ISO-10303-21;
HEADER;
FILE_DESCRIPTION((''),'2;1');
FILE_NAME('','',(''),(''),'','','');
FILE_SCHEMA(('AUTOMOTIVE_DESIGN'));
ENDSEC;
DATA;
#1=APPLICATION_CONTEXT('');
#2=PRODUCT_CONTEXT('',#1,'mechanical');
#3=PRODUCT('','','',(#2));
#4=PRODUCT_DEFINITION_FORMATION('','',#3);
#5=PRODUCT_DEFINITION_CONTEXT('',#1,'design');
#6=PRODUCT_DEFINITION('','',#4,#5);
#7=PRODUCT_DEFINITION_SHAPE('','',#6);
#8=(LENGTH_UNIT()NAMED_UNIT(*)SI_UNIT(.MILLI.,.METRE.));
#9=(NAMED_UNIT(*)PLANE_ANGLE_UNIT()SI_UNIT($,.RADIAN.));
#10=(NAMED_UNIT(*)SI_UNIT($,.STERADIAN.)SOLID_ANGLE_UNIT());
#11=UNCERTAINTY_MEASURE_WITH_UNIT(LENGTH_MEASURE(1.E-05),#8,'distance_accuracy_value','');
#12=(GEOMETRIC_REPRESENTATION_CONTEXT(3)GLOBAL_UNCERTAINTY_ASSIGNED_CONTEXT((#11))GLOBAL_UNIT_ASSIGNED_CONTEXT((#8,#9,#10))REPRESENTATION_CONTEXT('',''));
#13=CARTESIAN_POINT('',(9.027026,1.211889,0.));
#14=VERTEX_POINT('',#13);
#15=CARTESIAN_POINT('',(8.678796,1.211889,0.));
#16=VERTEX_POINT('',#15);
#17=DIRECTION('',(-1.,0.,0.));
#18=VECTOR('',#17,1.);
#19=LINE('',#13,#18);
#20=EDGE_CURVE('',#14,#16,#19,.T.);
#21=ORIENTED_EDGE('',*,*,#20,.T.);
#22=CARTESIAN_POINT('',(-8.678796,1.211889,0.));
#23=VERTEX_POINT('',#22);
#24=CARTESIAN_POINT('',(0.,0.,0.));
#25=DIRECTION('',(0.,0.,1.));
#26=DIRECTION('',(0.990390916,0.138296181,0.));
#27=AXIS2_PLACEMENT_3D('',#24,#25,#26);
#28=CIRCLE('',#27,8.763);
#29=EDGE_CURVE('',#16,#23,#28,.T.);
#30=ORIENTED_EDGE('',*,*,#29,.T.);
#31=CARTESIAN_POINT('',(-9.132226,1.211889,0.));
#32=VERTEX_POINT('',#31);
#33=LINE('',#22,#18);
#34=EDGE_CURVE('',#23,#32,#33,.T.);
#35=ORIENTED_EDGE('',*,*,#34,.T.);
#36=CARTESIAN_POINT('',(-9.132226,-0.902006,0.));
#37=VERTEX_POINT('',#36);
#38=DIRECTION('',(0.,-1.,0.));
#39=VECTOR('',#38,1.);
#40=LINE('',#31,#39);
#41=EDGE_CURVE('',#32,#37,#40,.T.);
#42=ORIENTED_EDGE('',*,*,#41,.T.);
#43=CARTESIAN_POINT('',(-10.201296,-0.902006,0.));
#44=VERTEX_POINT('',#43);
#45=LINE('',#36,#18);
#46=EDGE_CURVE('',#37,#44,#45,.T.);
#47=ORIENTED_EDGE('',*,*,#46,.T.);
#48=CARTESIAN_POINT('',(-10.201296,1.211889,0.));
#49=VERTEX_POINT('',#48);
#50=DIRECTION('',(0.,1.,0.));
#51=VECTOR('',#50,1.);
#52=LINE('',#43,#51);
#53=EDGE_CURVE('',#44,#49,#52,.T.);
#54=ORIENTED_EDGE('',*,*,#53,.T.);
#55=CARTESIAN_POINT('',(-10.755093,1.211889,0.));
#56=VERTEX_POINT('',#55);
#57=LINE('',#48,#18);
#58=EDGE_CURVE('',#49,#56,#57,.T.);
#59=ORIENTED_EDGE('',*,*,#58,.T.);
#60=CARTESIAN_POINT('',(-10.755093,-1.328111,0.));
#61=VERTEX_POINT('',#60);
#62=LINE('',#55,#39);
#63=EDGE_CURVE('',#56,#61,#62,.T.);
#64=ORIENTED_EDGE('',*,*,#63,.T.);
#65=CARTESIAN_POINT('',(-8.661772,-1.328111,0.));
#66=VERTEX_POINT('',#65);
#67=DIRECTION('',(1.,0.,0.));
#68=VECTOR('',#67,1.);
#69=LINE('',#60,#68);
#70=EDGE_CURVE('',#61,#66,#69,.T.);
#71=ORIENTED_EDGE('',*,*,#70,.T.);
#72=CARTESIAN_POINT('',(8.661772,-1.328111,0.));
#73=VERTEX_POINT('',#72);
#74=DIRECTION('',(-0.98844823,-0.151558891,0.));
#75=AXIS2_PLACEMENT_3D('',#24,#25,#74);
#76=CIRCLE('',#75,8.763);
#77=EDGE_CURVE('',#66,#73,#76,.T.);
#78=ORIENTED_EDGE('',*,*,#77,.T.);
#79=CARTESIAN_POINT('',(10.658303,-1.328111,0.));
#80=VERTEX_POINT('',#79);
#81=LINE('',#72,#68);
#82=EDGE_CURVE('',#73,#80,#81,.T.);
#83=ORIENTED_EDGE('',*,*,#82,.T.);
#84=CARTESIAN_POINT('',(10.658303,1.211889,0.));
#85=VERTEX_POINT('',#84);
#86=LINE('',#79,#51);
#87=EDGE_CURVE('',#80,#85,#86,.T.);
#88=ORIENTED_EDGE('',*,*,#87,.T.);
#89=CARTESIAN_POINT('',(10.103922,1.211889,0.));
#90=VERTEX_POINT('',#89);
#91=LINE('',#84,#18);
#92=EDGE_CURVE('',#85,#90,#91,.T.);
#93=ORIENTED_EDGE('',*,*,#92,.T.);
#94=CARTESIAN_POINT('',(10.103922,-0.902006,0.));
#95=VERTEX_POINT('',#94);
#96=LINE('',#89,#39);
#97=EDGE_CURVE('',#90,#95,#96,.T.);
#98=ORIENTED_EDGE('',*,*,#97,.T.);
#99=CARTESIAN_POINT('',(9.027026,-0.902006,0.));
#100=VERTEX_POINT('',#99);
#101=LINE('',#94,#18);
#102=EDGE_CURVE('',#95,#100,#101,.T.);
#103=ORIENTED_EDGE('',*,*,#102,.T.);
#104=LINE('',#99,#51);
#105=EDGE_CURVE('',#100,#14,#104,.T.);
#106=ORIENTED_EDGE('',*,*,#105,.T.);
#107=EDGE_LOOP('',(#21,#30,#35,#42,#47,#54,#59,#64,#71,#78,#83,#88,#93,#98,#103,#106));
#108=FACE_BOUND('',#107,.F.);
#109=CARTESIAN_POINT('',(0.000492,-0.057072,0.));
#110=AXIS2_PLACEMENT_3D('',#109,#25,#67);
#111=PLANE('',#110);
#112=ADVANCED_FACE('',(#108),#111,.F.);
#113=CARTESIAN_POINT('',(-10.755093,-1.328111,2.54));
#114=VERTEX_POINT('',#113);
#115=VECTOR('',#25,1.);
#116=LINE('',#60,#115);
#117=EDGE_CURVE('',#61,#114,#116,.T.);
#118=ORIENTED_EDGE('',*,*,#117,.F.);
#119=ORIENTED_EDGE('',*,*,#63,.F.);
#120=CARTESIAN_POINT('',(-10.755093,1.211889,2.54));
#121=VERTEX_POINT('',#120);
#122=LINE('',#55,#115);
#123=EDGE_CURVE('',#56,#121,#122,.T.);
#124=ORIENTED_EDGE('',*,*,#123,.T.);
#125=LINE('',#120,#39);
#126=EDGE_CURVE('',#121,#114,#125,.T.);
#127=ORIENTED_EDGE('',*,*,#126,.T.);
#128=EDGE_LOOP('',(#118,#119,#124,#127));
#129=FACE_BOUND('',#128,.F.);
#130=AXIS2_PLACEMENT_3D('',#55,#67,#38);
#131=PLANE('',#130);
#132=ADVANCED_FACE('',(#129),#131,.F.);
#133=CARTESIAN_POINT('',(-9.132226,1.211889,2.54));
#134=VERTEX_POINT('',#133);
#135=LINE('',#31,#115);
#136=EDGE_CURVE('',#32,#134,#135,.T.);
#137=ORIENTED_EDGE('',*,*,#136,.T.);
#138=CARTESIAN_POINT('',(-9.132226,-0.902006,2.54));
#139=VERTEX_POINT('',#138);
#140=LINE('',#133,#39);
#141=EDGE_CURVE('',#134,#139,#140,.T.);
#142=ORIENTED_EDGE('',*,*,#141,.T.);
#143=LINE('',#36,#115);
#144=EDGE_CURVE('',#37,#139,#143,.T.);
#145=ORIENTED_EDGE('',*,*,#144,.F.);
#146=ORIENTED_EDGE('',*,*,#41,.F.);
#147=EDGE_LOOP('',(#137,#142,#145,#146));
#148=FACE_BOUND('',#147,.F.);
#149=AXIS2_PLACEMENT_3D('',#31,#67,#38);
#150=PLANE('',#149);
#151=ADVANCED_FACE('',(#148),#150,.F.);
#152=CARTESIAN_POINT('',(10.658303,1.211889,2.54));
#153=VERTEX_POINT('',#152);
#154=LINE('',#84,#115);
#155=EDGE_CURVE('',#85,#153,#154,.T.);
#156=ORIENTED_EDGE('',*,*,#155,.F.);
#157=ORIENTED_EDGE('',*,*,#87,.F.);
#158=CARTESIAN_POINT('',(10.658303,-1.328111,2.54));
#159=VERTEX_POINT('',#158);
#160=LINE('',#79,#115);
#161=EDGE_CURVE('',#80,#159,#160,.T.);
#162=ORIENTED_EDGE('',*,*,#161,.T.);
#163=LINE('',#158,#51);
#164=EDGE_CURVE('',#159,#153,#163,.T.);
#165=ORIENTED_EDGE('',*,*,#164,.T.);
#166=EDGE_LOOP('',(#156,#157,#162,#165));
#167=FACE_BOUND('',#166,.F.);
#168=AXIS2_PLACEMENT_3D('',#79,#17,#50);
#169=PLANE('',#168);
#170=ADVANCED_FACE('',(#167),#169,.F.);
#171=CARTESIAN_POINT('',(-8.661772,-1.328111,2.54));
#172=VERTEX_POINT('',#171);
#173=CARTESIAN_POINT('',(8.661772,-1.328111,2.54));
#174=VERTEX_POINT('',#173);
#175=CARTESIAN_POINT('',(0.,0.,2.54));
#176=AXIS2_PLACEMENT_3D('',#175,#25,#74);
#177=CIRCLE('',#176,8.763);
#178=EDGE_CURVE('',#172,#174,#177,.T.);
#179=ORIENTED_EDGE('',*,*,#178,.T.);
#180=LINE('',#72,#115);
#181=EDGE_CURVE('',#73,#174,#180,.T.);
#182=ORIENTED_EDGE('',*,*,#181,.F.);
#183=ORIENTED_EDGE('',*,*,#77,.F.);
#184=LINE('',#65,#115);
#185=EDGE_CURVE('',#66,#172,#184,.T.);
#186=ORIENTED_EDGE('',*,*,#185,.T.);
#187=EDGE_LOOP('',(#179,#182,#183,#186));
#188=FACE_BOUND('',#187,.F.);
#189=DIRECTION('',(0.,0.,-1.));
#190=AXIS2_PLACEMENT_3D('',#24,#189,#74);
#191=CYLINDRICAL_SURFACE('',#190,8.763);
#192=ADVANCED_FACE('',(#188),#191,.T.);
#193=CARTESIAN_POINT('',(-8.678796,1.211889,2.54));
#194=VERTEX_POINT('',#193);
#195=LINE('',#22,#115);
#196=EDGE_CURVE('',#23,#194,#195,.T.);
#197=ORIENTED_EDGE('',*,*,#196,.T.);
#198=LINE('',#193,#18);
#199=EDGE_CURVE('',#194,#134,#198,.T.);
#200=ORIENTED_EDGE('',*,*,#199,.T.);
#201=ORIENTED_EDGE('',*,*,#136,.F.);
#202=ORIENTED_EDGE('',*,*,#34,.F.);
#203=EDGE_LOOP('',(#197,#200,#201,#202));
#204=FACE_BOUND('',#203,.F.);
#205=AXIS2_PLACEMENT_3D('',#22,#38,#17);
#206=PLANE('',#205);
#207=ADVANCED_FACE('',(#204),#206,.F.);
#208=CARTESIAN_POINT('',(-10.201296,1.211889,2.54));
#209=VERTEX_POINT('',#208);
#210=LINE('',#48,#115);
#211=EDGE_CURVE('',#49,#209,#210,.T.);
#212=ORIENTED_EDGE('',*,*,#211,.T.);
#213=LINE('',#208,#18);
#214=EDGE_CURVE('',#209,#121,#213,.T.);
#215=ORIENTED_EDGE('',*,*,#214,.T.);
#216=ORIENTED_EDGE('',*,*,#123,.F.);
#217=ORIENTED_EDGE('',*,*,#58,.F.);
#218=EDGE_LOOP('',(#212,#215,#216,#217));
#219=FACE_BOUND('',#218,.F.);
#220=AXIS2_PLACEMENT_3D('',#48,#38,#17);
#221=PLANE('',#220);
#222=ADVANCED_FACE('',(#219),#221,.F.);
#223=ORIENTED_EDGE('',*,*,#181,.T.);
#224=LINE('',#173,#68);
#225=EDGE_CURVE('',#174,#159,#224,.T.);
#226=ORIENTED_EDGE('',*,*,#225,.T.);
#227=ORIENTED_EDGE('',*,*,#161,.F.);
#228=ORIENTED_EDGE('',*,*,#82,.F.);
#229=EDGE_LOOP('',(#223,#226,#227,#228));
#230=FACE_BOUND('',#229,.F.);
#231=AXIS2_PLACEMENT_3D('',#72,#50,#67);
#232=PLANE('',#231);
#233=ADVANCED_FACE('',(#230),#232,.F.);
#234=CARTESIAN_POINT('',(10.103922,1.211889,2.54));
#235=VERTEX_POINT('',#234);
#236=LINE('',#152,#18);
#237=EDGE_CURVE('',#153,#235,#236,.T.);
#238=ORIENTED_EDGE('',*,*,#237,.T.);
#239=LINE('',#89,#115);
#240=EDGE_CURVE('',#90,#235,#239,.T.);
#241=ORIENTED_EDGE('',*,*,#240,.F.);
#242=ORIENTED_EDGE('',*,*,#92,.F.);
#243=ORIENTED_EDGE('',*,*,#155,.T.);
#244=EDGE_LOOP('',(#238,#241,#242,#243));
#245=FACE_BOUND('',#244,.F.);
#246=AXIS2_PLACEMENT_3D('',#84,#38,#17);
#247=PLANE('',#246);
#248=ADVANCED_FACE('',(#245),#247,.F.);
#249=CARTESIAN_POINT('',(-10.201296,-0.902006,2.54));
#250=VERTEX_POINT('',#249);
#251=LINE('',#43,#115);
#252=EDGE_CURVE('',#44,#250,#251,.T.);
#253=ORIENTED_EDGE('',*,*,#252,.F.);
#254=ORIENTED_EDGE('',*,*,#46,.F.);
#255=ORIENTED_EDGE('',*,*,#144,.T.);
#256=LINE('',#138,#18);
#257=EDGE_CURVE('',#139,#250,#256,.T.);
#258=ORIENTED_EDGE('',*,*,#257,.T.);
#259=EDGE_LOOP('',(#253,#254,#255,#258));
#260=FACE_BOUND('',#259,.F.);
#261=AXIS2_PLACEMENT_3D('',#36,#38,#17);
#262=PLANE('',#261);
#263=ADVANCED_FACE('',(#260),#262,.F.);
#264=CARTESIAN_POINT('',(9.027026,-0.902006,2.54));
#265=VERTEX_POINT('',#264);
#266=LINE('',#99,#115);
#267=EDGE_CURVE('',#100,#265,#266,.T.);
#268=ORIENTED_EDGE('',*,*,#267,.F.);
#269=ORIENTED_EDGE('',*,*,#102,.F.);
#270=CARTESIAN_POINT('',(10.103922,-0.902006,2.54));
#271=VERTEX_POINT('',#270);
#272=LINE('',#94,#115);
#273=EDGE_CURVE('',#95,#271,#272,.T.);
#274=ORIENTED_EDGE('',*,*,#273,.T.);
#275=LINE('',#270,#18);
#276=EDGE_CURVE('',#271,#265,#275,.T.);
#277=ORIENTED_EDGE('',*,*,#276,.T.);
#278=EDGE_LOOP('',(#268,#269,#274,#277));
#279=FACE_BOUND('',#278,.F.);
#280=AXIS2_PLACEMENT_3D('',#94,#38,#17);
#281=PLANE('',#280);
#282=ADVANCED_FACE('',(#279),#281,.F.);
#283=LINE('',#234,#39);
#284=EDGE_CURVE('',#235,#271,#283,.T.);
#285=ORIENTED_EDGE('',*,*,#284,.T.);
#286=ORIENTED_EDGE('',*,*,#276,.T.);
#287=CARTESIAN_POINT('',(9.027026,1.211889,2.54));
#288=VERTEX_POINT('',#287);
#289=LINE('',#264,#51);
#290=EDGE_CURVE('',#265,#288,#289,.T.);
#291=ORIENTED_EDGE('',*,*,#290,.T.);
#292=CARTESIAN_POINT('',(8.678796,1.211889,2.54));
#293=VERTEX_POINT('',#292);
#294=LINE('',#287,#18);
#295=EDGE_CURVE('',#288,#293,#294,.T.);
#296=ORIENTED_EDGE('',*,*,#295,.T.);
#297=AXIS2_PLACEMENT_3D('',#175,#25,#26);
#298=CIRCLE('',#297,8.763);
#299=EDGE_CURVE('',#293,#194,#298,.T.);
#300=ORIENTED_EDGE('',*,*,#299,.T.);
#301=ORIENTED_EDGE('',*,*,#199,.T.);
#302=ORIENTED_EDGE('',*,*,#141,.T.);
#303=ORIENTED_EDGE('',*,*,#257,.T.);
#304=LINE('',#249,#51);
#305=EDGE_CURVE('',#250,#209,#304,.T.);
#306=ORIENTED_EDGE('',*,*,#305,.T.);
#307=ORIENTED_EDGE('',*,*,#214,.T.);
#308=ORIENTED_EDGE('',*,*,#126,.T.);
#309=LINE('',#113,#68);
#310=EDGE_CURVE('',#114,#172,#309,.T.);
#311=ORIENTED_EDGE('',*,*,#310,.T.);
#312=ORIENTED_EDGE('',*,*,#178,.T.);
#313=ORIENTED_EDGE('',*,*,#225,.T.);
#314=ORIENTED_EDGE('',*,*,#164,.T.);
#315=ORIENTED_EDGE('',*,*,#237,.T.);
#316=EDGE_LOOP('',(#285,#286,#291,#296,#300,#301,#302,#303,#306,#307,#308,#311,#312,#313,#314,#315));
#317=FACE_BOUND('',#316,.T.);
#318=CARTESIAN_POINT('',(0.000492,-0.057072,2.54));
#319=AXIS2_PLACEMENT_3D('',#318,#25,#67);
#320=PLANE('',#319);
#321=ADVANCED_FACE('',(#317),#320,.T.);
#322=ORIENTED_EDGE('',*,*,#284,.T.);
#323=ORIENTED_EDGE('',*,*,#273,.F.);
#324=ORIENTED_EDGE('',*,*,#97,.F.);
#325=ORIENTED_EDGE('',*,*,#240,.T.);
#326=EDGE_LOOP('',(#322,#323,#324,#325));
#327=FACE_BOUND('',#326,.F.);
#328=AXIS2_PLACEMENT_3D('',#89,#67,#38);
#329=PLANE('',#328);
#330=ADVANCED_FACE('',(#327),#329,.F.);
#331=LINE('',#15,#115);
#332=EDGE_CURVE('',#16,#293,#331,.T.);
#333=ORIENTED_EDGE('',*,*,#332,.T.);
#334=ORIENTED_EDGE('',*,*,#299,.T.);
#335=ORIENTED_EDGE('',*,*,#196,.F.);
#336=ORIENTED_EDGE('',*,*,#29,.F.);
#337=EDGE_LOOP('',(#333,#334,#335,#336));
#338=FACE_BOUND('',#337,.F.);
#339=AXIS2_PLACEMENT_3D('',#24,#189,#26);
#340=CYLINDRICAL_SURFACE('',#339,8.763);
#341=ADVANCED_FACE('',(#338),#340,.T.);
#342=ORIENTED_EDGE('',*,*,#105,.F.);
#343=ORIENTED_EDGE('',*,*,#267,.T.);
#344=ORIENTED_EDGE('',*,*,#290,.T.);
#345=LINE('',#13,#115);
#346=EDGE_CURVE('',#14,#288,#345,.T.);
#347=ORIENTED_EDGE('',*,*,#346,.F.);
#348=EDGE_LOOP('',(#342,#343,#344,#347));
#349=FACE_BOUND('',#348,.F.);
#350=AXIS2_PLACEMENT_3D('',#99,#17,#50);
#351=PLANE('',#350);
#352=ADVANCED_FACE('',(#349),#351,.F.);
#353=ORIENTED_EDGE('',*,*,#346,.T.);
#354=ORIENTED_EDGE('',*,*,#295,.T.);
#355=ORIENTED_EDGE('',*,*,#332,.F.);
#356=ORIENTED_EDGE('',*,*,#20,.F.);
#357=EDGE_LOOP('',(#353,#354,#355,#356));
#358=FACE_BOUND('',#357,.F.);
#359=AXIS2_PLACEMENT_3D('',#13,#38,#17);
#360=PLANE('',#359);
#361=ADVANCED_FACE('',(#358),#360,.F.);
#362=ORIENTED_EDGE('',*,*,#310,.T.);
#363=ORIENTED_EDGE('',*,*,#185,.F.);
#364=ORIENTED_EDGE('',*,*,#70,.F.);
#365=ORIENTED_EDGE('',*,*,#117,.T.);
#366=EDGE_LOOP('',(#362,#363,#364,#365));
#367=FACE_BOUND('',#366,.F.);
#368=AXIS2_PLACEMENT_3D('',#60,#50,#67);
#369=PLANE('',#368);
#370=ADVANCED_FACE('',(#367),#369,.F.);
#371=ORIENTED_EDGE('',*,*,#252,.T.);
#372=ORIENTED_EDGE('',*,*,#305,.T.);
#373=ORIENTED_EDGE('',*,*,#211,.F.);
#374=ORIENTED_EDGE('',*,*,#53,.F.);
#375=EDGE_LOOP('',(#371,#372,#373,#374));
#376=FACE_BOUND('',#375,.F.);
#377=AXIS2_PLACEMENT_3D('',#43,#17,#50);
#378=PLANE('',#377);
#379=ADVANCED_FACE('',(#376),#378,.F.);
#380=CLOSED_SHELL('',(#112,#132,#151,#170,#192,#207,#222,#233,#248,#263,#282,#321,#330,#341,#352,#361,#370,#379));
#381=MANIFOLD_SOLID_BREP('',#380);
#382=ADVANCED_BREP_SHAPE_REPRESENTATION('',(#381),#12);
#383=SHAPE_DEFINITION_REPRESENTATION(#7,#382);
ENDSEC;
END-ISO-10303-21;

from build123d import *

# Parameters (mm, degrees)
F1_DEPTH = 2.54


with BuildPart() as f1:
    # F0 (on Top) → F1 (new body)
    with BuildSketch(Plane.XY):
        with BuildLine():
            ThreePointArc((8.6617718357, -1.3281105626), (8.7376563104, -0.6659813826), (8.763, 0))
            ThreePointArc((8.763, 0), (8.7419235528, 0.6074056285), (8.6787955957, 1.2118894374))
            Line((8.6787955957, 1.2118894374), (-8.6787955957, 1.2118894374))
            ThreePointArc((-8.6787955957, 1.2118894374), (-8.7628031879, -0.0587306529), (-8.6617718357, -1.3281105626))
            Line((-8.6617718357, -1.3281105626), (8.6617718357, -1.3281105626))
        make_face()
        with BuildLine():
            Line((-8.6787955957, 1.2118894374), (8.6787955957, 1.2118894374))
            ThreePointArc((8.6787955957, 1.2118894374), (0, 8.763), (-8.6787955957, 1.2118894374))
        make_face()
        with BuildLine():
            ThreePointArc((-8.6617718357, -1.3281105626), (0, -8.763), (8.6617718357, -1.3281105626))
            Line((8.6617718357, -1.3281105626), (-8.6617718357, -1.3281105626))
        make_face()
        with BuildLine():
            ThreePointArc((8.6787955957, 1.2118894374), (8.7419235528, 0.6074056285), (8.763, 0))
            ThreePointArc((8.763, 0), (8.7376563104, -0.6659813826), (8.6617718357, -1.3281105626))
            Line((8.6617718357, -1.3281105626), (10.6583032757, -1.3281105626))
            Line((10.6583032757, -1.3281105626), (10.6583032757, 1.2118894374))
            Line((10.6583032757, 1.2118894374), (10.1039223373, 1.2118894374))
            Line((10.1039223373, 1.2118894374), (10.1039223373, -0.9020056459))
            Line((10.1039223373, -0.9020056459), (9.0270256624, -0.9020056459))
            Line((9.0270256624, -0.9020056459), (9.0270256624, 1.2118894374))
            Line((9.0270256624, 1.2118894374), (8.6787955957, 1.2118894374))
        make_face()
        with BuildLine():
            ThreePointArc((-8.6617718357, -1.3281105626), (-8.7628031879, -0.0587306529), (-8.6787955957, 1.2118894374))
            Line((-8.6787955957, 1.2118894374), (-9.1322259977, 1.2118894374))
            Line((-9.1322259977, 1.2118894374), (-9.1322259977, 1.1553943541))
            Line((-9.1322259977, 1.1553943541), (-9.1322259977, -0.9020056459))
            Line((-9.1322259977, -0.9020056459), (-10.2012958378, -0.9020056459))
            Line((-10.2012958378, -0.9020056459), (-10.2012958378, 1.1553943541))
            Line((-10.2012958378, 1.1553943541), (-10.2012958378, 1.2118894374))
            Line((-10.2012958378, 1.2118894374), (-10.7550928369, 1.2118894374))
            Line((-10.7550928369, 1.2118894374), (-10.7550928369, -1.3281105626))
            Line((-10.7550928369, -1.3281105626), (-8.6617718357, -1.3281105626))
        make_face()
    extrude(amount=F1_DEPTH)


solid = f1.part
